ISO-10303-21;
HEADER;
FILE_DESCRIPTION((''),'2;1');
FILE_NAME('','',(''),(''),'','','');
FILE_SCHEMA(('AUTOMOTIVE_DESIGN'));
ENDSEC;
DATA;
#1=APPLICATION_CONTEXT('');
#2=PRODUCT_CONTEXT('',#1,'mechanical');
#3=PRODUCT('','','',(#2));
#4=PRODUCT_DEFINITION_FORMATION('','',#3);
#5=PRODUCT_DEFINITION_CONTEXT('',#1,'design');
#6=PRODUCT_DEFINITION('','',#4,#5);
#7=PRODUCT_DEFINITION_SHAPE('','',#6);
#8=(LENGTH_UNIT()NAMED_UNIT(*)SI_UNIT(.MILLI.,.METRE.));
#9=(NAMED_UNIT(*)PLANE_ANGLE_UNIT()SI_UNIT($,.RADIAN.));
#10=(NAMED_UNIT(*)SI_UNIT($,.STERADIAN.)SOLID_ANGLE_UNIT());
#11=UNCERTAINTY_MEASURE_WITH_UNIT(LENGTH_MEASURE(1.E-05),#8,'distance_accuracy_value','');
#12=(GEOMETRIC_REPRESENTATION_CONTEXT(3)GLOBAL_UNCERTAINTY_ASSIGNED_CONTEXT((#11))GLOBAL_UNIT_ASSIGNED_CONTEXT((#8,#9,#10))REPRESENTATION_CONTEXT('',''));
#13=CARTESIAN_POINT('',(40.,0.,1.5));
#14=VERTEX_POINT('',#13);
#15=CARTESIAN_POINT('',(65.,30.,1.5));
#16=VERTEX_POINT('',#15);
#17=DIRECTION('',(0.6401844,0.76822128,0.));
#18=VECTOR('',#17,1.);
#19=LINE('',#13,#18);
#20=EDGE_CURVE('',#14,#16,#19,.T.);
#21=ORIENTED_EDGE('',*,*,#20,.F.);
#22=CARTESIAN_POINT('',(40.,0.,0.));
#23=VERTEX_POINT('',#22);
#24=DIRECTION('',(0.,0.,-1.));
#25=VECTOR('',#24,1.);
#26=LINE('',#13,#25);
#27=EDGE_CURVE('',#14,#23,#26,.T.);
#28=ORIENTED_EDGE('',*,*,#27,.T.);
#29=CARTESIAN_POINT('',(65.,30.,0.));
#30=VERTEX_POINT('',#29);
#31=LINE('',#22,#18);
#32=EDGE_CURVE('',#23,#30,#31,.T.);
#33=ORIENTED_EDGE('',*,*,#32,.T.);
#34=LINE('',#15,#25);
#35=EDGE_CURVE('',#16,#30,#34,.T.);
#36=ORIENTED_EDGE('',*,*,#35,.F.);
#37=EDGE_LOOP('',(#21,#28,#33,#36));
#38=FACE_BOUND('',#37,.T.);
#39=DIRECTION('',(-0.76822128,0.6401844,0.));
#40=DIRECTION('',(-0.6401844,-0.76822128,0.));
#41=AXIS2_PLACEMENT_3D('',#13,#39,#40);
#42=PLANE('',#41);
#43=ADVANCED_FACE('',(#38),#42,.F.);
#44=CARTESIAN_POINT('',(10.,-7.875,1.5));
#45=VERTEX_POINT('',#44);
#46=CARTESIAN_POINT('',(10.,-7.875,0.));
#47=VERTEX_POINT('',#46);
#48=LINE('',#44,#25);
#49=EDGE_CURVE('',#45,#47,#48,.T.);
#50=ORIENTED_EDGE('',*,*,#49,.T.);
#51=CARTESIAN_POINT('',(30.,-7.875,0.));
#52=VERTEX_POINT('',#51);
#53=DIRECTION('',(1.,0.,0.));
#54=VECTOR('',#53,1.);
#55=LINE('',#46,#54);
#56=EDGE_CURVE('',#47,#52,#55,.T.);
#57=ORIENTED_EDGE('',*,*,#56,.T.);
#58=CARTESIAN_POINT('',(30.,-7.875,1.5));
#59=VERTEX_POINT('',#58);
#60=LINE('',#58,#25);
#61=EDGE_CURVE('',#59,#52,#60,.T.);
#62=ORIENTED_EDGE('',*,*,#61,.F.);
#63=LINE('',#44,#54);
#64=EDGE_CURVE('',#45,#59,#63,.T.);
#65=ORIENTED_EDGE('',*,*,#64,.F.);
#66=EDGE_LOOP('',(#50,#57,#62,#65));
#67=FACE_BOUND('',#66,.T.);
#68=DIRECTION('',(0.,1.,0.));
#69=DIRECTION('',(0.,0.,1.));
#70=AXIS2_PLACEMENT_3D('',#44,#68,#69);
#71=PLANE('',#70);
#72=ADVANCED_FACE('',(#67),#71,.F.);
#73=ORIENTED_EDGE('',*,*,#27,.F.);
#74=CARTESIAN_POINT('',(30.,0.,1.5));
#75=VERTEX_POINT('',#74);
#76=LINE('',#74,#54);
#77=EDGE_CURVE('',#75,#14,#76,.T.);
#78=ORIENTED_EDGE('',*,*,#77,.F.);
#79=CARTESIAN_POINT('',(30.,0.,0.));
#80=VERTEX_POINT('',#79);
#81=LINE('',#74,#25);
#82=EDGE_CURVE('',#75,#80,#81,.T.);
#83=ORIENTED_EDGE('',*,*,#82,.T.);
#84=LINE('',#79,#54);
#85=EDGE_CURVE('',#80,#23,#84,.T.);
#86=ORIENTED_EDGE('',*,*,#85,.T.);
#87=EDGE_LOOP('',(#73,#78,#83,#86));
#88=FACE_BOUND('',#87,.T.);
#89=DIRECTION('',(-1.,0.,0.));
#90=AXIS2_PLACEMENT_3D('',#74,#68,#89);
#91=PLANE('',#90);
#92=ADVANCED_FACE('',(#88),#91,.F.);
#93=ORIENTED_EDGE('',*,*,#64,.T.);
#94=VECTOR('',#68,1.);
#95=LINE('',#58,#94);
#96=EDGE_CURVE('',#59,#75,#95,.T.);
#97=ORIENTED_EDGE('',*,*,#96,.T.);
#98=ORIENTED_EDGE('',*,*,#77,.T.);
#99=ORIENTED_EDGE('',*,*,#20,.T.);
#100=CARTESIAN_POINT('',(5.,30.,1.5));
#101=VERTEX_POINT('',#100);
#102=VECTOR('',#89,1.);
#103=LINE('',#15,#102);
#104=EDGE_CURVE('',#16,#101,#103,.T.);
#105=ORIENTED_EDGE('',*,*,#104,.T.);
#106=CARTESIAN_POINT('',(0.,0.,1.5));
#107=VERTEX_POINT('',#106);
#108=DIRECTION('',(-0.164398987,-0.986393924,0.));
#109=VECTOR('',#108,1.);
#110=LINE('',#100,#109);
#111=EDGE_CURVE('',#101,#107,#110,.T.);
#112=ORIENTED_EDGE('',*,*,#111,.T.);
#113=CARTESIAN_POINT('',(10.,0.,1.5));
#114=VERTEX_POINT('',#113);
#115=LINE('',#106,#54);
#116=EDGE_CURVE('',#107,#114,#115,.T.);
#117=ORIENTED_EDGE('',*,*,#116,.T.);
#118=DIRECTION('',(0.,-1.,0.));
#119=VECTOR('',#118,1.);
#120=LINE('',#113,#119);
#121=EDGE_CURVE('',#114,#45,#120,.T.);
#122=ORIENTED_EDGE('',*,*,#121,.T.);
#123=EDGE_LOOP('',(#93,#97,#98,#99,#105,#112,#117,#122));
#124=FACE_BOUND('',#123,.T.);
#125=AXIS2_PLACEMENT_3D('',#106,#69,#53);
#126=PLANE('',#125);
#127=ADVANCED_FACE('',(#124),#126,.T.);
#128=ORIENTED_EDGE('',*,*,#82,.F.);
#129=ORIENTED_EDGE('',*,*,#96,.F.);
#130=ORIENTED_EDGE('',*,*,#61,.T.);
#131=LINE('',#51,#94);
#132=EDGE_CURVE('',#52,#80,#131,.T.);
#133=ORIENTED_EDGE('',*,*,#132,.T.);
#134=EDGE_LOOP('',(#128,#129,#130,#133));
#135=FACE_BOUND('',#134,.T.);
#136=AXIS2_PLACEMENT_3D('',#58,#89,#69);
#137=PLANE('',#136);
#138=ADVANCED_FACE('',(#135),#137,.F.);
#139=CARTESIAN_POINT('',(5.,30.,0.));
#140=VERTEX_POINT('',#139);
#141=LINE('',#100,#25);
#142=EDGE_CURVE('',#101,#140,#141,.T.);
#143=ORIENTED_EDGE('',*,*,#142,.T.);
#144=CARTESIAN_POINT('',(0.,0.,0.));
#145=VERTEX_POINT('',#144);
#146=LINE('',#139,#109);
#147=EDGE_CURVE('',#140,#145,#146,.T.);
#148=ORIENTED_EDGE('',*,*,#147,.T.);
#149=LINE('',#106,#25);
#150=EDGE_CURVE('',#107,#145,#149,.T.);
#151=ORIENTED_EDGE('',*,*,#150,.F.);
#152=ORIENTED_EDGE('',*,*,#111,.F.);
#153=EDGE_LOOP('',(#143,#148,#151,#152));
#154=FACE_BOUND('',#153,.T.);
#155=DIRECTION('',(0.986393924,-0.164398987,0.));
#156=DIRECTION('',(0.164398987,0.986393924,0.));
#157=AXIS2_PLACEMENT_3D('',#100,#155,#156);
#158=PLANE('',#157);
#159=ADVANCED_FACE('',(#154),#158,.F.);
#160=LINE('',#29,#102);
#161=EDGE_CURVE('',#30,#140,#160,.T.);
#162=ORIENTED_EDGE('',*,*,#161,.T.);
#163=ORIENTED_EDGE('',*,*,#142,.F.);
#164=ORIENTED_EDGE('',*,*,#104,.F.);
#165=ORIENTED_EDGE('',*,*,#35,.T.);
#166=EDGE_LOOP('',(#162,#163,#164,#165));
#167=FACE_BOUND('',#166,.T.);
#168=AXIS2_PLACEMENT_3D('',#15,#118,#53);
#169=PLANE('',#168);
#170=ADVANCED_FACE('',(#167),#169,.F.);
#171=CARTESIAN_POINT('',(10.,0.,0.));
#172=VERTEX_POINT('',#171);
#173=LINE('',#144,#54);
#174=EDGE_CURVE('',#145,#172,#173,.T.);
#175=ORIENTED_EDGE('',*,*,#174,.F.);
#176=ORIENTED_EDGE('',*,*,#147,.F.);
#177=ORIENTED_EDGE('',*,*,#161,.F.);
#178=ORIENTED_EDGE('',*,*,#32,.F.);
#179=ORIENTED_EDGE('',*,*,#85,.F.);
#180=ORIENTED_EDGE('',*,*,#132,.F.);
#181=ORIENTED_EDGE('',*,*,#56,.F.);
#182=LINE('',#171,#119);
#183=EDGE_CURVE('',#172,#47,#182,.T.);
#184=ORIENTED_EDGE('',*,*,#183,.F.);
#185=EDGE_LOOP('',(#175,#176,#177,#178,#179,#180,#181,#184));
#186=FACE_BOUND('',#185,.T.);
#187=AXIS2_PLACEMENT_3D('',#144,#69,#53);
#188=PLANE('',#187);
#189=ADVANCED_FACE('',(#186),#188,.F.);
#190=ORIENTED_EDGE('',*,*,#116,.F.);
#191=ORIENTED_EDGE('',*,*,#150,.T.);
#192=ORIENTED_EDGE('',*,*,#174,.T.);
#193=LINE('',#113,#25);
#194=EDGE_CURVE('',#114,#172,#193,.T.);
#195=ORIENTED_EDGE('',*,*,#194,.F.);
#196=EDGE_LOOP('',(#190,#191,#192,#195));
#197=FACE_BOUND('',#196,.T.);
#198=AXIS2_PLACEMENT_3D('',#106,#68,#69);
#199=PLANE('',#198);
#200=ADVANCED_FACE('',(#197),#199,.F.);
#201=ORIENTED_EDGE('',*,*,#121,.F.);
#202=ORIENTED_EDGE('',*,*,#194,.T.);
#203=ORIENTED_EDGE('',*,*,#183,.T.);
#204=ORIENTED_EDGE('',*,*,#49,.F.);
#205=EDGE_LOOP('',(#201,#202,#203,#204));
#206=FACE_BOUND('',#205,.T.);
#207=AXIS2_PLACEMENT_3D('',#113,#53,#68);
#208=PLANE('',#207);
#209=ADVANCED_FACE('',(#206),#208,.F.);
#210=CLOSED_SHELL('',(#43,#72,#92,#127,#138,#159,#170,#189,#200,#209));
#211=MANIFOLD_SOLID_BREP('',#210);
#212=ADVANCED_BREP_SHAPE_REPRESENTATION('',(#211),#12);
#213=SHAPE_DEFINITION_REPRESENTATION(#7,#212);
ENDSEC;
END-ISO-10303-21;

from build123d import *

# Parameters (mm, degrees)
BOSS_EXTRUDE1_DEPTH = 1.5


with BuildPart() as part:
    # Sketch1 → Boss-Extrude1 (new body)
    with BuildSketch(Plane.XY):
        Polygon((0, 0), (10, 0), (10, -7.875), (30, -7.875), (30, 0), (40, 0), (65, 30), (5, 30), align=None)
    extrude(amount=BOSS_EXTRUDE1_DEPTH)


solid = part.part
